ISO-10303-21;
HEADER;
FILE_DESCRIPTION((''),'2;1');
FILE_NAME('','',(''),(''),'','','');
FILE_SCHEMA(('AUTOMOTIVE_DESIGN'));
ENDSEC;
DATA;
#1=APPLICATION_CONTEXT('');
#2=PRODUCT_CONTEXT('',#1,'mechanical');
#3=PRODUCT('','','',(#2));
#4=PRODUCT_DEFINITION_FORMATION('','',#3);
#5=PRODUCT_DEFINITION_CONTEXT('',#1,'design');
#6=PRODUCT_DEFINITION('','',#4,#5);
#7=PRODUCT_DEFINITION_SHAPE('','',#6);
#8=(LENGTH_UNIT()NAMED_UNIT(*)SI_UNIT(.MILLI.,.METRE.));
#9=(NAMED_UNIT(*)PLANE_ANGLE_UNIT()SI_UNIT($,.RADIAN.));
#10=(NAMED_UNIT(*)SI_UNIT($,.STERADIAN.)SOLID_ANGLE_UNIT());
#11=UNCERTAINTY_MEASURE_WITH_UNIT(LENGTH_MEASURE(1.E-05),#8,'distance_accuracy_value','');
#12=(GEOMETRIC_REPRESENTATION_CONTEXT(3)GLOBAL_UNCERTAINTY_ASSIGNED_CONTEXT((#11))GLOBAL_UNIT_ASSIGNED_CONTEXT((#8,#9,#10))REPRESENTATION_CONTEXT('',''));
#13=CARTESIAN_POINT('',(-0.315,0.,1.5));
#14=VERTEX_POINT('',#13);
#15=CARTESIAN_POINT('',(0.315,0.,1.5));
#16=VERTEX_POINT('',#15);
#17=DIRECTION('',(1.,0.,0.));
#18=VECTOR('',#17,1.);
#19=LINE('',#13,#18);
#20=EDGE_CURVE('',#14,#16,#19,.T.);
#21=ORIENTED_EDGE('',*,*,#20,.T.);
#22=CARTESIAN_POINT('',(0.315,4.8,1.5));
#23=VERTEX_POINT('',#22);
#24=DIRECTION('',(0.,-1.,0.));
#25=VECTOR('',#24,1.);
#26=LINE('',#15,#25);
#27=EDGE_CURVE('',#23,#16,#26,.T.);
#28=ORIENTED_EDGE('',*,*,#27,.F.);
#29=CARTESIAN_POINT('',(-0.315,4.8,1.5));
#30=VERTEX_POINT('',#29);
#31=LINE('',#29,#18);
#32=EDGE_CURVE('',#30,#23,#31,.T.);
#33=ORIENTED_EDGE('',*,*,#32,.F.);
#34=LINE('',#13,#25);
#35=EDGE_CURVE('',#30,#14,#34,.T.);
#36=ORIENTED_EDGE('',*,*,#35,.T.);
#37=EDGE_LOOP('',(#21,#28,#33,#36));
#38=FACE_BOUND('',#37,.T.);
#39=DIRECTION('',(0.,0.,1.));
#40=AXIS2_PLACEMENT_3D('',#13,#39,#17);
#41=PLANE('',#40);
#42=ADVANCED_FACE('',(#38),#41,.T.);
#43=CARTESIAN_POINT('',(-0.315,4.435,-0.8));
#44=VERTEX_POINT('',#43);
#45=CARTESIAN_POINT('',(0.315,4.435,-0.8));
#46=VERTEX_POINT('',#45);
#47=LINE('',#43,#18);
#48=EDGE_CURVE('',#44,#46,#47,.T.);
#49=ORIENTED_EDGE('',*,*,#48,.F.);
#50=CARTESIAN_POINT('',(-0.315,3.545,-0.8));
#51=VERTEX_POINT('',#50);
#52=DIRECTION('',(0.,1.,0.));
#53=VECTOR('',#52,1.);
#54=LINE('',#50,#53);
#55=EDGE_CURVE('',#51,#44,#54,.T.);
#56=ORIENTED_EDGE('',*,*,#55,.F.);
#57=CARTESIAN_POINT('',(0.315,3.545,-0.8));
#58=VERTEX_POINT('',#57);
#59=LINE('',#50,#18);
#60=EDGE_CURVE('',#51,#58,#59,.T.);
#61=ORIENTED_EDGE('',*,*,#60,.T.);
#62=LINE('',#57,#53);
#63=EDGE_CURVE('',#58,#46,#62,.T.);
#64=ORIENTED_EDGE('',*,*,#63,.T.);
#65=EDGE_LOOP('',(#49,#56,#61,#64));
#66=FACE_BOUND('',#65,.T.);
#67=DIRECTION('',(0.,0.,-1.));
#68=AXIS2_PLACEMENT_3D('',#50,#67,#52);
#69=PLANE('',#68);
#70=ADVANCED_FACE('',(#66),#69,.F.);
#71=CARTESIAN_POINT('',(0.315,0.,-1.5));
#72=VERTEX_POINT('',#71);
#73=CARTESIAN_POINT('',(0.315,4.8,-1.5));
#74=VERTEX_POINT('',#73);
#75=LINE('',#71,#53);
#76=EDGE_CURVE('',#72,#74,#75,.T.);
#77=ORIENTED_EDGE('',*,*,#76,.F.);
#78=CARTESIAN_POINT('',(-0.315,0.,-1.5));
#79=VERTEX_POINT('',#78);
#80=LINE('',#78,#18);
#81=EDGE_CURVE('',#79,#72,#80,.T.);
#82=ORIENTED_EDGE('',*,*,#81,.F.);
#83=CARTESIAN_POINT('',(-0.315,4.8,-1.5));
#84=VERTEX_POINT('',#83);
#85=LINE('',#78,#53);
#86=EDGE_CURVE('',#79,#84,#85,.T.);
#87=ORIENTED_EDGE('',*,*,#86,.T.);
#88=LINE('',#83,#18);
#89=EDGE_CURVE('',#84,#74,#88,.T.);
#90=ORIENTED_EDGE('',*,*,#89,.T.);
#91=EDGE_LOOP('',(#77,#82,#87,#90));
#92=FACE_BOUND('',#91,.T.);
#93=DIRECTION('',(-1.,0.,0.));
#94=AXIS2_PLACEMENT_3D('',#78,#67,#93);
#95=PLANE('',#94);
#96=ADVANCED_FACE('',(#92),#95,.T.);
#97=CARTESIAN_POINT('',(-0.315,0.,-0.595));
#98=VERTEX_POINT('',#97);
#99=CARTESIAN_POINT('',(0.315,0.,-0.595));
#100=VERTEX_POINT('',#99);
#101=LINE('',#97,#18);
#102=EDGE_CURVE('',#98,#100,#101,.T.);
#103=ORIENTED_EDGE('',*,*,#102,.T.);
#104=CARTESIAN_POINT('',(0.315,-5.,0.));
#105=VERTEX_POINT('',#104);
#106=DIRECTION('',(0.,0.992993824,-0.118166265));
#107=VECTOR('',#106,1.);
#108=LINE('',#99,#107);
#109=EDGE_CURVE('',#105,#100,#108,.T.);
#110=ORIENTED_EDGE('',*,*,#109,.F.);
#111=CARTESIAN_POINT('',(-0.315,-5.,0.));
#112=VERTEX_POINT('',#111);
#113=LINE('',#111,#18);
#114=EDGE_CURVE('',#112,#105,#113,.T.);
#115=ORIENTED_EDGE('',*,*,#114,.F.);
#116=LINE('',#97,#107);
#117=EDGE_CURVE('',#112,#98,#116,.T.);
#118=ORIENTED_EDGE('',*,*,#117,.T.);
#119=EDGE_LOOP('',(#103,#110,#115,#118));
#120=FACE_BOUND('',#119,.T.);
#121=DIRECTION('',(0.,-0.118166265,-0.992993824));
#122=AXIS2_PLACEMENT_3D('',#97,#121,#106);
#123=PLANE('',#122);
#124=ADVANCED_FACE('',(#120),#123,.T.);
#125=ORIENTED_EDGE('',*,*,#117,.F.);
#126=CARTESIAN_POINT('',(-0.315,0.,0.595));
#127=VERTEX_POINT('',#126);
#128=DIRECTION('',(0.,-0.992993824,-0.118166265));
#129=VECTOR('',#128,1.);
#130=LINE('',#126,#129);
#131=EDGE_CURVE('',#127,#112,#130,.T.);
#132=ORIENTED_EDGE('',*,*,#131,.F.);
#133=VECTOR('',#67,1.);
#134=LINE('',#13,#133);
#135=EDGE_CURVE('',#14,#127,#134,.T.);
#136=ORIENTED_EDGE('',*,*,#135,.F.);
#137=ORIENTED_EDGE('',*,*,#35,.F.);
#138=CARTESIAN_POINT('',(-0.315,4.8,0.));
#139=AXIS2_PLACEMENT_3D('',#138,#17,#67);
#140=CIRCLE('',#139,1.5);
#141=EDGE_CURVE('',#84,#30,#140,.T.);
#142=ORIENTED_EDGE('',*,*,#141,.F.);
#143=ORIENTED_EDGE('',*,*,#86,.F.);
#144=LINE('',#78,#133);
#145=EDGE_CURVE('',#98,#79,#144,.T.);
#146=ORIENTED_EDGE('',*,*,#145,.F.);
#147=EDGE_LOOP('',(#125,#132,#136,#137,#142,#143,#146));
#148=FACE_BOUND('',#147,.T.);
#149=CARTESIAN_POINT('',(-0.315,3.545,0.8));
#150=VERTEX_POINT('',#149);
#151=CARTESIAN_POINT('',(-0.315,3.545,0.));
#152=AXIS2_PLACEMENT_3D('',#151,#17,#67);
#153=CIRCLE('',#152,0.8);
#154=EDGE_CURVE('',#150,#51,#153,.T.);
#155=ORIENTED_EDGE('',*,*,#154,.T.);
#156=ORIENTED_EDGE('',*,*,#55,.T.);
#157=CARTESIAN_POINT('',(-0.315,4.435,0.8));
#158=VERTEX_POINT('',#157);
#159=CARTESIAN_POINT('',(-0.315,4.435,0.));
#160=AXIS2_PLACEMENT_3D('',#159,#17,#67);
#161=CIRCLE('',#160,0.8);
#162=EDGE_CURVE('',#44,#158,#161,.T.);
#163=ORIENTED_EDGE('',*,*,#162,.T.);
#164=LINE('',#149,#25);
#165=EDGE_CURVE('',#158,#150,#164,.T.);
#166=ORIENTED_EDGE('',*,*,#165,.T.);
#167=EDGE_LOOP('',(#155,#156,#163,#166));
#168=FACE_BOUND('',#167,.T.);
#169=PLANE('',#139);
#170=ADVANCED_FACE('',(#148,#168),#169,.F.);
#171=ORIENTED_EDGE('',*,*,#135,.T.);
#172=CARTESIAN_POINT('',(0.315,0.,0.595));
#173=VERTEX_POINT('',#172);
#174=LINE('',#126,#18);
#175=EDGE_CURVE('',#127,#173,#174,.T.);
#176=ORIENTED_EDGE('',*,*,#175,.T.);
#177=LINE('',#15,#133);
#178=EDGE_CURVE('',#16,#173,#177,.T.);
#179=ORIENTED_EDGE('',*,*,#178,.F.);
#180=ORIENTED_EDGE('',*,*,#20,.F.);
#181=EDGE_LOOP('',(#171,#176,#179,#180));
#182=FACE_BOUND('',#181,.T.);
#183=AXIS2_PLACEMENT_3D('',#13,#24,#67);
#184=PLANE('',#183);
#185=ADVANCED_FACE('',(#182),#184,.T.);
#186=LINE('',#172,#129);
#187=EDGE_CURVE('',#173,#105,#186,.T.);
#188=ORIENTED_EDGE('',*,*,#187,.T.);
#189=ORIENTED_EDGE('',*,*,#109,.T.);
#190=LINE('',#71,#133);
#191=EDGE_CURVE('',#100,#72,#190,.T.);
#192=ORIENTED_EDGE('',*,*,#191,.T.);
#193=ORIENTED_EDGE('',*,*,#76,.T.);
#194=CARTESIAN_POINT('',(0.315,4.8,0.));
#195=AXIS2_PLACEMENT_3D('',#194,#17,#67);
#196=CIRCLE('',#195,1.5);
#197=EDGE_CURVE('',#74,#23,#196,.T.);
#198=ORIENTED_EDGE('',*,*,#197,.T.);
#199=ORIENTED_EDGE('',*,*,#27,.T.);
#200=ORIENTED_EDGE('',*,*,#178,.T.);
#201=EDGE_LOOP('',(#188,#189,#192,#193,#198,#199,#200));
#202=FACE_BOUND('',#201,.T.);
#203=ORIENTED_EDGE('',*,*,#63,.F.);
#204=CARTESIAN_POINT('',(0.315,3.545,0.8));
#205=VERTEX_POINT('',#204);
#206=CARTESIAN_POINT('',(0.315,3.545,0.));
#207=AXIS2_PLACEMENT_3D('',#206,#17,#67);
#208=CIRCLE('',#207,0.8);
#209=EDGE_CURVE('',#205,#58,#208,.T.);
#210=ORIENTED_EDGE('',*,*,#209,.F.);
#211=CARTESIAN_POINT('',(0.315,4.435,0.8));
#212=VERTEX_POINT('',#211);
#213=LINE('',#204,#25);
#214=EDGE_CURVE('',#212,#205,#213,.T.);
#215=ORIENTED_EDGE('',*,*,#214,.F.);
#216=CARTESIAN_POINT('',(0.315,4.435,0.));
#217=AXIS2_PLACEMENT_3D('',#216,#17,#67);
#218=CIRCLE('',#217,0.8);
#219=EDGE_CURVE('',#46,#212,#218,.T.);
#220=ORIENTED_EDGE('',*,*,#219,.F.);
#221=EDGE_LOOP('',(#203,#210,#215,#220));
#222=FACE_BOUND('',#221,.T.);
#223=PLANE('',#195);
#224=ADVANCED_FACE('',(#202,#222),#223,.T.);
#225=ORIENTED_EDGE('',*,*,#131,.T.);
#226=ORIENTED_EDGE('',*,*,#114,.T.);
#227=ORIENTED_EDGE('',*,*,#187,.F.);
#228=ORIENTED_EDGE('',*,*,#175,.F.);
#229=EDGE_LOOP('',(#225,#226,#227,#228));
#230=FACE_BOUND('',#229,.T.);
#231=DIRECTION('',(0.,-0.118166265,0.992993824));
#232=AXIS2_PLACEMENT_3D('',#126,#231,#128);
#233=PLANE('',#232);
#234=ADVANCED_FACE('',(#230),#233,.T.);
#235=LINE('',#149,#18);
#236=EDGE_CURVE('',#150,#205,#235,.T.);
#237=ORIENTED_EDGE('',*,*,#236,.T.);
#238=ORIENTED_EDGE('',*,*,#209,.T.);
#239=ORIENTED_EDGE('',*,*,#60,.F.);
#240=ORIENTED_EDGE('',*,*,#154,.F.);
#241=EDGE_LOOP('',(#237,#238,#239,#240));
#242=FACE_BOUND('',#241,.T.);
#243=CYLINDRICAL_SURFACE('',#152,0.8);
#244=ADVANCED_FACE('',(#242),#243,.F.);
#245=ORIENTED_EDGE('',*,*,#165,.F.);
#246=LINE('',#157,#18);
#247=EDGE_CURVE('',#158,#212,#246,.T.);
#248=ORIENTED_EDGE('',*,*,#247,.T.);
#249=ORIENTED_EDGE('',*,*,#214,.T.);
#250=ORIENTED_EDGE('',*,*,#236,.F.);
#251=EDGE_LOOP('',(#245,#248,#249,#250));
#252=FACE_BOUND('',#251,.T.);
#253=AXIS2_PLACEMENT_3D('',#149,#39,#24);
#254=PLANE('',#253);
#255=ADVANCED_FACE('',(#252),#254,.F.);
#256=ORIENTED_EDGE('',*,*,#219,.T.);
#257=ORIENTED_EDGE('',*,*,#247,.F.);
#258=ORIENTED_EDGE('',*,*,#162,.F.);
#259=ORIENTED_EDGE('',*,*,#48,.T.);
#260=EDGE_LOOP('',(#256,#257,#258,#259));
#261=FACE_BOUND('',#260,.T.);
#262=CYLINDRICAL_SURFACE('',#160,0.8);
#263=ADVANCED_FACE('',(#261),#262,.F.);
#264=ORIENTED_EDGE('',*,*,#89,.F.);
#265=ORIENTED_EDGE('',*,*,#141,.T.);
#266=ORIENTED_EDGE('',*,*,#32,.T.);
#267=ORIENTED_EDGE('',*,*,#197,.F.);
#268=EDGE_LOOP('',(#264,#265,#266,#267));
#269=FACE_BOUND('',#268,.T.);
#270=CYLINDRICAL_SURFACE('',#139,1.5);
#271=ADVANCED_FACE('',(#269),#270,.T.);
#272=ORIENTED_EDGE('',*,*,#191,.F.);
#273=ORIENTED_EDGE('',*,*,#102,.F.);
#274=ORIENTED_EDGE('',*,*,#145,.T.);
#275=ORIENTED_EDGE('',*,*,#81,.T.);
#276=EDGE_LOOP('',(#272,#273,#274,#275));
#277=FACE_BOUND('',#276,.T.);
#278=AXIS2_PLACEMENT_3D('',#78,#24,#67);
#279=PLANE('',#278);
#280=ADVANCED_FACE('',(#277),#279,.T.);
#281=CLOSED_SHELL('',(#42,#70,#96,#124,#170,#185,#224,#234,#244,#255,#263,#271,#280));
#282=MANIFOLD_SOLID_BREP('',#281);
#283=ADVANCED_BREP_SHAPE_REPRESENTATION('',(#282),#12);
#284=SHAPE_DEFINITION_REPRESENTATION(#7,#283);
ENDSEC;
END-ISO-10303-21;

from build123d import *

# Parameters (mm, degrees)
BOSS_EXTRUDE1_DEPTH      = 0.315
BOSS_EXTRUDE1_DEPTH_BACK = 0.315


with BuildPart() as part:
    # Sketch2 → Boss-Extrude1 (new, two sides: drawn at the far end of the back side and taken through both)
    with BuildSketch(Plane(origin=(0, 0, 0), x_dir=(0, 0, -1), z_dir=(1, 0, 0)).offset(-BOSS_EXTRUDE1_DEPTH_BACK)):
        with BuildLine():
            Line((1.5, 0), (0.595, 0))
            Line((0.595, 0), (0, -5))
            Line((0, -5), (-0.595, 0))
            Line((-0.595, 0), (-1.5, 0))
            Line((-1.5, 0), (-1.5, 4.8))
            ThreePointArc((-1.5, 4.8), (0, 6.3), (1.5, 4.8))
            Line((1.5, 4.8), (1.5, 0))
        make_face()
        with BuildLine():
            Line((-0.8, 3.545), (-0.8, 4.435))
            ThreePointArc((-0.8, 4.435), (0, 5.235), (0.8, 4.435))
            Line((0.8, 4.435), (0.8, 3.545))
            ThreePointArc((0.8, 3.545), (0, 2.745), (-0.8, 3.545))
        make_face(mode=Mode.SUBTRACT)
    extrude(amount=BOSS_EXTRUDE1_DEPTH + BOSS_EXTRUDE1_DEPTH_BACK)


solid = part.part
